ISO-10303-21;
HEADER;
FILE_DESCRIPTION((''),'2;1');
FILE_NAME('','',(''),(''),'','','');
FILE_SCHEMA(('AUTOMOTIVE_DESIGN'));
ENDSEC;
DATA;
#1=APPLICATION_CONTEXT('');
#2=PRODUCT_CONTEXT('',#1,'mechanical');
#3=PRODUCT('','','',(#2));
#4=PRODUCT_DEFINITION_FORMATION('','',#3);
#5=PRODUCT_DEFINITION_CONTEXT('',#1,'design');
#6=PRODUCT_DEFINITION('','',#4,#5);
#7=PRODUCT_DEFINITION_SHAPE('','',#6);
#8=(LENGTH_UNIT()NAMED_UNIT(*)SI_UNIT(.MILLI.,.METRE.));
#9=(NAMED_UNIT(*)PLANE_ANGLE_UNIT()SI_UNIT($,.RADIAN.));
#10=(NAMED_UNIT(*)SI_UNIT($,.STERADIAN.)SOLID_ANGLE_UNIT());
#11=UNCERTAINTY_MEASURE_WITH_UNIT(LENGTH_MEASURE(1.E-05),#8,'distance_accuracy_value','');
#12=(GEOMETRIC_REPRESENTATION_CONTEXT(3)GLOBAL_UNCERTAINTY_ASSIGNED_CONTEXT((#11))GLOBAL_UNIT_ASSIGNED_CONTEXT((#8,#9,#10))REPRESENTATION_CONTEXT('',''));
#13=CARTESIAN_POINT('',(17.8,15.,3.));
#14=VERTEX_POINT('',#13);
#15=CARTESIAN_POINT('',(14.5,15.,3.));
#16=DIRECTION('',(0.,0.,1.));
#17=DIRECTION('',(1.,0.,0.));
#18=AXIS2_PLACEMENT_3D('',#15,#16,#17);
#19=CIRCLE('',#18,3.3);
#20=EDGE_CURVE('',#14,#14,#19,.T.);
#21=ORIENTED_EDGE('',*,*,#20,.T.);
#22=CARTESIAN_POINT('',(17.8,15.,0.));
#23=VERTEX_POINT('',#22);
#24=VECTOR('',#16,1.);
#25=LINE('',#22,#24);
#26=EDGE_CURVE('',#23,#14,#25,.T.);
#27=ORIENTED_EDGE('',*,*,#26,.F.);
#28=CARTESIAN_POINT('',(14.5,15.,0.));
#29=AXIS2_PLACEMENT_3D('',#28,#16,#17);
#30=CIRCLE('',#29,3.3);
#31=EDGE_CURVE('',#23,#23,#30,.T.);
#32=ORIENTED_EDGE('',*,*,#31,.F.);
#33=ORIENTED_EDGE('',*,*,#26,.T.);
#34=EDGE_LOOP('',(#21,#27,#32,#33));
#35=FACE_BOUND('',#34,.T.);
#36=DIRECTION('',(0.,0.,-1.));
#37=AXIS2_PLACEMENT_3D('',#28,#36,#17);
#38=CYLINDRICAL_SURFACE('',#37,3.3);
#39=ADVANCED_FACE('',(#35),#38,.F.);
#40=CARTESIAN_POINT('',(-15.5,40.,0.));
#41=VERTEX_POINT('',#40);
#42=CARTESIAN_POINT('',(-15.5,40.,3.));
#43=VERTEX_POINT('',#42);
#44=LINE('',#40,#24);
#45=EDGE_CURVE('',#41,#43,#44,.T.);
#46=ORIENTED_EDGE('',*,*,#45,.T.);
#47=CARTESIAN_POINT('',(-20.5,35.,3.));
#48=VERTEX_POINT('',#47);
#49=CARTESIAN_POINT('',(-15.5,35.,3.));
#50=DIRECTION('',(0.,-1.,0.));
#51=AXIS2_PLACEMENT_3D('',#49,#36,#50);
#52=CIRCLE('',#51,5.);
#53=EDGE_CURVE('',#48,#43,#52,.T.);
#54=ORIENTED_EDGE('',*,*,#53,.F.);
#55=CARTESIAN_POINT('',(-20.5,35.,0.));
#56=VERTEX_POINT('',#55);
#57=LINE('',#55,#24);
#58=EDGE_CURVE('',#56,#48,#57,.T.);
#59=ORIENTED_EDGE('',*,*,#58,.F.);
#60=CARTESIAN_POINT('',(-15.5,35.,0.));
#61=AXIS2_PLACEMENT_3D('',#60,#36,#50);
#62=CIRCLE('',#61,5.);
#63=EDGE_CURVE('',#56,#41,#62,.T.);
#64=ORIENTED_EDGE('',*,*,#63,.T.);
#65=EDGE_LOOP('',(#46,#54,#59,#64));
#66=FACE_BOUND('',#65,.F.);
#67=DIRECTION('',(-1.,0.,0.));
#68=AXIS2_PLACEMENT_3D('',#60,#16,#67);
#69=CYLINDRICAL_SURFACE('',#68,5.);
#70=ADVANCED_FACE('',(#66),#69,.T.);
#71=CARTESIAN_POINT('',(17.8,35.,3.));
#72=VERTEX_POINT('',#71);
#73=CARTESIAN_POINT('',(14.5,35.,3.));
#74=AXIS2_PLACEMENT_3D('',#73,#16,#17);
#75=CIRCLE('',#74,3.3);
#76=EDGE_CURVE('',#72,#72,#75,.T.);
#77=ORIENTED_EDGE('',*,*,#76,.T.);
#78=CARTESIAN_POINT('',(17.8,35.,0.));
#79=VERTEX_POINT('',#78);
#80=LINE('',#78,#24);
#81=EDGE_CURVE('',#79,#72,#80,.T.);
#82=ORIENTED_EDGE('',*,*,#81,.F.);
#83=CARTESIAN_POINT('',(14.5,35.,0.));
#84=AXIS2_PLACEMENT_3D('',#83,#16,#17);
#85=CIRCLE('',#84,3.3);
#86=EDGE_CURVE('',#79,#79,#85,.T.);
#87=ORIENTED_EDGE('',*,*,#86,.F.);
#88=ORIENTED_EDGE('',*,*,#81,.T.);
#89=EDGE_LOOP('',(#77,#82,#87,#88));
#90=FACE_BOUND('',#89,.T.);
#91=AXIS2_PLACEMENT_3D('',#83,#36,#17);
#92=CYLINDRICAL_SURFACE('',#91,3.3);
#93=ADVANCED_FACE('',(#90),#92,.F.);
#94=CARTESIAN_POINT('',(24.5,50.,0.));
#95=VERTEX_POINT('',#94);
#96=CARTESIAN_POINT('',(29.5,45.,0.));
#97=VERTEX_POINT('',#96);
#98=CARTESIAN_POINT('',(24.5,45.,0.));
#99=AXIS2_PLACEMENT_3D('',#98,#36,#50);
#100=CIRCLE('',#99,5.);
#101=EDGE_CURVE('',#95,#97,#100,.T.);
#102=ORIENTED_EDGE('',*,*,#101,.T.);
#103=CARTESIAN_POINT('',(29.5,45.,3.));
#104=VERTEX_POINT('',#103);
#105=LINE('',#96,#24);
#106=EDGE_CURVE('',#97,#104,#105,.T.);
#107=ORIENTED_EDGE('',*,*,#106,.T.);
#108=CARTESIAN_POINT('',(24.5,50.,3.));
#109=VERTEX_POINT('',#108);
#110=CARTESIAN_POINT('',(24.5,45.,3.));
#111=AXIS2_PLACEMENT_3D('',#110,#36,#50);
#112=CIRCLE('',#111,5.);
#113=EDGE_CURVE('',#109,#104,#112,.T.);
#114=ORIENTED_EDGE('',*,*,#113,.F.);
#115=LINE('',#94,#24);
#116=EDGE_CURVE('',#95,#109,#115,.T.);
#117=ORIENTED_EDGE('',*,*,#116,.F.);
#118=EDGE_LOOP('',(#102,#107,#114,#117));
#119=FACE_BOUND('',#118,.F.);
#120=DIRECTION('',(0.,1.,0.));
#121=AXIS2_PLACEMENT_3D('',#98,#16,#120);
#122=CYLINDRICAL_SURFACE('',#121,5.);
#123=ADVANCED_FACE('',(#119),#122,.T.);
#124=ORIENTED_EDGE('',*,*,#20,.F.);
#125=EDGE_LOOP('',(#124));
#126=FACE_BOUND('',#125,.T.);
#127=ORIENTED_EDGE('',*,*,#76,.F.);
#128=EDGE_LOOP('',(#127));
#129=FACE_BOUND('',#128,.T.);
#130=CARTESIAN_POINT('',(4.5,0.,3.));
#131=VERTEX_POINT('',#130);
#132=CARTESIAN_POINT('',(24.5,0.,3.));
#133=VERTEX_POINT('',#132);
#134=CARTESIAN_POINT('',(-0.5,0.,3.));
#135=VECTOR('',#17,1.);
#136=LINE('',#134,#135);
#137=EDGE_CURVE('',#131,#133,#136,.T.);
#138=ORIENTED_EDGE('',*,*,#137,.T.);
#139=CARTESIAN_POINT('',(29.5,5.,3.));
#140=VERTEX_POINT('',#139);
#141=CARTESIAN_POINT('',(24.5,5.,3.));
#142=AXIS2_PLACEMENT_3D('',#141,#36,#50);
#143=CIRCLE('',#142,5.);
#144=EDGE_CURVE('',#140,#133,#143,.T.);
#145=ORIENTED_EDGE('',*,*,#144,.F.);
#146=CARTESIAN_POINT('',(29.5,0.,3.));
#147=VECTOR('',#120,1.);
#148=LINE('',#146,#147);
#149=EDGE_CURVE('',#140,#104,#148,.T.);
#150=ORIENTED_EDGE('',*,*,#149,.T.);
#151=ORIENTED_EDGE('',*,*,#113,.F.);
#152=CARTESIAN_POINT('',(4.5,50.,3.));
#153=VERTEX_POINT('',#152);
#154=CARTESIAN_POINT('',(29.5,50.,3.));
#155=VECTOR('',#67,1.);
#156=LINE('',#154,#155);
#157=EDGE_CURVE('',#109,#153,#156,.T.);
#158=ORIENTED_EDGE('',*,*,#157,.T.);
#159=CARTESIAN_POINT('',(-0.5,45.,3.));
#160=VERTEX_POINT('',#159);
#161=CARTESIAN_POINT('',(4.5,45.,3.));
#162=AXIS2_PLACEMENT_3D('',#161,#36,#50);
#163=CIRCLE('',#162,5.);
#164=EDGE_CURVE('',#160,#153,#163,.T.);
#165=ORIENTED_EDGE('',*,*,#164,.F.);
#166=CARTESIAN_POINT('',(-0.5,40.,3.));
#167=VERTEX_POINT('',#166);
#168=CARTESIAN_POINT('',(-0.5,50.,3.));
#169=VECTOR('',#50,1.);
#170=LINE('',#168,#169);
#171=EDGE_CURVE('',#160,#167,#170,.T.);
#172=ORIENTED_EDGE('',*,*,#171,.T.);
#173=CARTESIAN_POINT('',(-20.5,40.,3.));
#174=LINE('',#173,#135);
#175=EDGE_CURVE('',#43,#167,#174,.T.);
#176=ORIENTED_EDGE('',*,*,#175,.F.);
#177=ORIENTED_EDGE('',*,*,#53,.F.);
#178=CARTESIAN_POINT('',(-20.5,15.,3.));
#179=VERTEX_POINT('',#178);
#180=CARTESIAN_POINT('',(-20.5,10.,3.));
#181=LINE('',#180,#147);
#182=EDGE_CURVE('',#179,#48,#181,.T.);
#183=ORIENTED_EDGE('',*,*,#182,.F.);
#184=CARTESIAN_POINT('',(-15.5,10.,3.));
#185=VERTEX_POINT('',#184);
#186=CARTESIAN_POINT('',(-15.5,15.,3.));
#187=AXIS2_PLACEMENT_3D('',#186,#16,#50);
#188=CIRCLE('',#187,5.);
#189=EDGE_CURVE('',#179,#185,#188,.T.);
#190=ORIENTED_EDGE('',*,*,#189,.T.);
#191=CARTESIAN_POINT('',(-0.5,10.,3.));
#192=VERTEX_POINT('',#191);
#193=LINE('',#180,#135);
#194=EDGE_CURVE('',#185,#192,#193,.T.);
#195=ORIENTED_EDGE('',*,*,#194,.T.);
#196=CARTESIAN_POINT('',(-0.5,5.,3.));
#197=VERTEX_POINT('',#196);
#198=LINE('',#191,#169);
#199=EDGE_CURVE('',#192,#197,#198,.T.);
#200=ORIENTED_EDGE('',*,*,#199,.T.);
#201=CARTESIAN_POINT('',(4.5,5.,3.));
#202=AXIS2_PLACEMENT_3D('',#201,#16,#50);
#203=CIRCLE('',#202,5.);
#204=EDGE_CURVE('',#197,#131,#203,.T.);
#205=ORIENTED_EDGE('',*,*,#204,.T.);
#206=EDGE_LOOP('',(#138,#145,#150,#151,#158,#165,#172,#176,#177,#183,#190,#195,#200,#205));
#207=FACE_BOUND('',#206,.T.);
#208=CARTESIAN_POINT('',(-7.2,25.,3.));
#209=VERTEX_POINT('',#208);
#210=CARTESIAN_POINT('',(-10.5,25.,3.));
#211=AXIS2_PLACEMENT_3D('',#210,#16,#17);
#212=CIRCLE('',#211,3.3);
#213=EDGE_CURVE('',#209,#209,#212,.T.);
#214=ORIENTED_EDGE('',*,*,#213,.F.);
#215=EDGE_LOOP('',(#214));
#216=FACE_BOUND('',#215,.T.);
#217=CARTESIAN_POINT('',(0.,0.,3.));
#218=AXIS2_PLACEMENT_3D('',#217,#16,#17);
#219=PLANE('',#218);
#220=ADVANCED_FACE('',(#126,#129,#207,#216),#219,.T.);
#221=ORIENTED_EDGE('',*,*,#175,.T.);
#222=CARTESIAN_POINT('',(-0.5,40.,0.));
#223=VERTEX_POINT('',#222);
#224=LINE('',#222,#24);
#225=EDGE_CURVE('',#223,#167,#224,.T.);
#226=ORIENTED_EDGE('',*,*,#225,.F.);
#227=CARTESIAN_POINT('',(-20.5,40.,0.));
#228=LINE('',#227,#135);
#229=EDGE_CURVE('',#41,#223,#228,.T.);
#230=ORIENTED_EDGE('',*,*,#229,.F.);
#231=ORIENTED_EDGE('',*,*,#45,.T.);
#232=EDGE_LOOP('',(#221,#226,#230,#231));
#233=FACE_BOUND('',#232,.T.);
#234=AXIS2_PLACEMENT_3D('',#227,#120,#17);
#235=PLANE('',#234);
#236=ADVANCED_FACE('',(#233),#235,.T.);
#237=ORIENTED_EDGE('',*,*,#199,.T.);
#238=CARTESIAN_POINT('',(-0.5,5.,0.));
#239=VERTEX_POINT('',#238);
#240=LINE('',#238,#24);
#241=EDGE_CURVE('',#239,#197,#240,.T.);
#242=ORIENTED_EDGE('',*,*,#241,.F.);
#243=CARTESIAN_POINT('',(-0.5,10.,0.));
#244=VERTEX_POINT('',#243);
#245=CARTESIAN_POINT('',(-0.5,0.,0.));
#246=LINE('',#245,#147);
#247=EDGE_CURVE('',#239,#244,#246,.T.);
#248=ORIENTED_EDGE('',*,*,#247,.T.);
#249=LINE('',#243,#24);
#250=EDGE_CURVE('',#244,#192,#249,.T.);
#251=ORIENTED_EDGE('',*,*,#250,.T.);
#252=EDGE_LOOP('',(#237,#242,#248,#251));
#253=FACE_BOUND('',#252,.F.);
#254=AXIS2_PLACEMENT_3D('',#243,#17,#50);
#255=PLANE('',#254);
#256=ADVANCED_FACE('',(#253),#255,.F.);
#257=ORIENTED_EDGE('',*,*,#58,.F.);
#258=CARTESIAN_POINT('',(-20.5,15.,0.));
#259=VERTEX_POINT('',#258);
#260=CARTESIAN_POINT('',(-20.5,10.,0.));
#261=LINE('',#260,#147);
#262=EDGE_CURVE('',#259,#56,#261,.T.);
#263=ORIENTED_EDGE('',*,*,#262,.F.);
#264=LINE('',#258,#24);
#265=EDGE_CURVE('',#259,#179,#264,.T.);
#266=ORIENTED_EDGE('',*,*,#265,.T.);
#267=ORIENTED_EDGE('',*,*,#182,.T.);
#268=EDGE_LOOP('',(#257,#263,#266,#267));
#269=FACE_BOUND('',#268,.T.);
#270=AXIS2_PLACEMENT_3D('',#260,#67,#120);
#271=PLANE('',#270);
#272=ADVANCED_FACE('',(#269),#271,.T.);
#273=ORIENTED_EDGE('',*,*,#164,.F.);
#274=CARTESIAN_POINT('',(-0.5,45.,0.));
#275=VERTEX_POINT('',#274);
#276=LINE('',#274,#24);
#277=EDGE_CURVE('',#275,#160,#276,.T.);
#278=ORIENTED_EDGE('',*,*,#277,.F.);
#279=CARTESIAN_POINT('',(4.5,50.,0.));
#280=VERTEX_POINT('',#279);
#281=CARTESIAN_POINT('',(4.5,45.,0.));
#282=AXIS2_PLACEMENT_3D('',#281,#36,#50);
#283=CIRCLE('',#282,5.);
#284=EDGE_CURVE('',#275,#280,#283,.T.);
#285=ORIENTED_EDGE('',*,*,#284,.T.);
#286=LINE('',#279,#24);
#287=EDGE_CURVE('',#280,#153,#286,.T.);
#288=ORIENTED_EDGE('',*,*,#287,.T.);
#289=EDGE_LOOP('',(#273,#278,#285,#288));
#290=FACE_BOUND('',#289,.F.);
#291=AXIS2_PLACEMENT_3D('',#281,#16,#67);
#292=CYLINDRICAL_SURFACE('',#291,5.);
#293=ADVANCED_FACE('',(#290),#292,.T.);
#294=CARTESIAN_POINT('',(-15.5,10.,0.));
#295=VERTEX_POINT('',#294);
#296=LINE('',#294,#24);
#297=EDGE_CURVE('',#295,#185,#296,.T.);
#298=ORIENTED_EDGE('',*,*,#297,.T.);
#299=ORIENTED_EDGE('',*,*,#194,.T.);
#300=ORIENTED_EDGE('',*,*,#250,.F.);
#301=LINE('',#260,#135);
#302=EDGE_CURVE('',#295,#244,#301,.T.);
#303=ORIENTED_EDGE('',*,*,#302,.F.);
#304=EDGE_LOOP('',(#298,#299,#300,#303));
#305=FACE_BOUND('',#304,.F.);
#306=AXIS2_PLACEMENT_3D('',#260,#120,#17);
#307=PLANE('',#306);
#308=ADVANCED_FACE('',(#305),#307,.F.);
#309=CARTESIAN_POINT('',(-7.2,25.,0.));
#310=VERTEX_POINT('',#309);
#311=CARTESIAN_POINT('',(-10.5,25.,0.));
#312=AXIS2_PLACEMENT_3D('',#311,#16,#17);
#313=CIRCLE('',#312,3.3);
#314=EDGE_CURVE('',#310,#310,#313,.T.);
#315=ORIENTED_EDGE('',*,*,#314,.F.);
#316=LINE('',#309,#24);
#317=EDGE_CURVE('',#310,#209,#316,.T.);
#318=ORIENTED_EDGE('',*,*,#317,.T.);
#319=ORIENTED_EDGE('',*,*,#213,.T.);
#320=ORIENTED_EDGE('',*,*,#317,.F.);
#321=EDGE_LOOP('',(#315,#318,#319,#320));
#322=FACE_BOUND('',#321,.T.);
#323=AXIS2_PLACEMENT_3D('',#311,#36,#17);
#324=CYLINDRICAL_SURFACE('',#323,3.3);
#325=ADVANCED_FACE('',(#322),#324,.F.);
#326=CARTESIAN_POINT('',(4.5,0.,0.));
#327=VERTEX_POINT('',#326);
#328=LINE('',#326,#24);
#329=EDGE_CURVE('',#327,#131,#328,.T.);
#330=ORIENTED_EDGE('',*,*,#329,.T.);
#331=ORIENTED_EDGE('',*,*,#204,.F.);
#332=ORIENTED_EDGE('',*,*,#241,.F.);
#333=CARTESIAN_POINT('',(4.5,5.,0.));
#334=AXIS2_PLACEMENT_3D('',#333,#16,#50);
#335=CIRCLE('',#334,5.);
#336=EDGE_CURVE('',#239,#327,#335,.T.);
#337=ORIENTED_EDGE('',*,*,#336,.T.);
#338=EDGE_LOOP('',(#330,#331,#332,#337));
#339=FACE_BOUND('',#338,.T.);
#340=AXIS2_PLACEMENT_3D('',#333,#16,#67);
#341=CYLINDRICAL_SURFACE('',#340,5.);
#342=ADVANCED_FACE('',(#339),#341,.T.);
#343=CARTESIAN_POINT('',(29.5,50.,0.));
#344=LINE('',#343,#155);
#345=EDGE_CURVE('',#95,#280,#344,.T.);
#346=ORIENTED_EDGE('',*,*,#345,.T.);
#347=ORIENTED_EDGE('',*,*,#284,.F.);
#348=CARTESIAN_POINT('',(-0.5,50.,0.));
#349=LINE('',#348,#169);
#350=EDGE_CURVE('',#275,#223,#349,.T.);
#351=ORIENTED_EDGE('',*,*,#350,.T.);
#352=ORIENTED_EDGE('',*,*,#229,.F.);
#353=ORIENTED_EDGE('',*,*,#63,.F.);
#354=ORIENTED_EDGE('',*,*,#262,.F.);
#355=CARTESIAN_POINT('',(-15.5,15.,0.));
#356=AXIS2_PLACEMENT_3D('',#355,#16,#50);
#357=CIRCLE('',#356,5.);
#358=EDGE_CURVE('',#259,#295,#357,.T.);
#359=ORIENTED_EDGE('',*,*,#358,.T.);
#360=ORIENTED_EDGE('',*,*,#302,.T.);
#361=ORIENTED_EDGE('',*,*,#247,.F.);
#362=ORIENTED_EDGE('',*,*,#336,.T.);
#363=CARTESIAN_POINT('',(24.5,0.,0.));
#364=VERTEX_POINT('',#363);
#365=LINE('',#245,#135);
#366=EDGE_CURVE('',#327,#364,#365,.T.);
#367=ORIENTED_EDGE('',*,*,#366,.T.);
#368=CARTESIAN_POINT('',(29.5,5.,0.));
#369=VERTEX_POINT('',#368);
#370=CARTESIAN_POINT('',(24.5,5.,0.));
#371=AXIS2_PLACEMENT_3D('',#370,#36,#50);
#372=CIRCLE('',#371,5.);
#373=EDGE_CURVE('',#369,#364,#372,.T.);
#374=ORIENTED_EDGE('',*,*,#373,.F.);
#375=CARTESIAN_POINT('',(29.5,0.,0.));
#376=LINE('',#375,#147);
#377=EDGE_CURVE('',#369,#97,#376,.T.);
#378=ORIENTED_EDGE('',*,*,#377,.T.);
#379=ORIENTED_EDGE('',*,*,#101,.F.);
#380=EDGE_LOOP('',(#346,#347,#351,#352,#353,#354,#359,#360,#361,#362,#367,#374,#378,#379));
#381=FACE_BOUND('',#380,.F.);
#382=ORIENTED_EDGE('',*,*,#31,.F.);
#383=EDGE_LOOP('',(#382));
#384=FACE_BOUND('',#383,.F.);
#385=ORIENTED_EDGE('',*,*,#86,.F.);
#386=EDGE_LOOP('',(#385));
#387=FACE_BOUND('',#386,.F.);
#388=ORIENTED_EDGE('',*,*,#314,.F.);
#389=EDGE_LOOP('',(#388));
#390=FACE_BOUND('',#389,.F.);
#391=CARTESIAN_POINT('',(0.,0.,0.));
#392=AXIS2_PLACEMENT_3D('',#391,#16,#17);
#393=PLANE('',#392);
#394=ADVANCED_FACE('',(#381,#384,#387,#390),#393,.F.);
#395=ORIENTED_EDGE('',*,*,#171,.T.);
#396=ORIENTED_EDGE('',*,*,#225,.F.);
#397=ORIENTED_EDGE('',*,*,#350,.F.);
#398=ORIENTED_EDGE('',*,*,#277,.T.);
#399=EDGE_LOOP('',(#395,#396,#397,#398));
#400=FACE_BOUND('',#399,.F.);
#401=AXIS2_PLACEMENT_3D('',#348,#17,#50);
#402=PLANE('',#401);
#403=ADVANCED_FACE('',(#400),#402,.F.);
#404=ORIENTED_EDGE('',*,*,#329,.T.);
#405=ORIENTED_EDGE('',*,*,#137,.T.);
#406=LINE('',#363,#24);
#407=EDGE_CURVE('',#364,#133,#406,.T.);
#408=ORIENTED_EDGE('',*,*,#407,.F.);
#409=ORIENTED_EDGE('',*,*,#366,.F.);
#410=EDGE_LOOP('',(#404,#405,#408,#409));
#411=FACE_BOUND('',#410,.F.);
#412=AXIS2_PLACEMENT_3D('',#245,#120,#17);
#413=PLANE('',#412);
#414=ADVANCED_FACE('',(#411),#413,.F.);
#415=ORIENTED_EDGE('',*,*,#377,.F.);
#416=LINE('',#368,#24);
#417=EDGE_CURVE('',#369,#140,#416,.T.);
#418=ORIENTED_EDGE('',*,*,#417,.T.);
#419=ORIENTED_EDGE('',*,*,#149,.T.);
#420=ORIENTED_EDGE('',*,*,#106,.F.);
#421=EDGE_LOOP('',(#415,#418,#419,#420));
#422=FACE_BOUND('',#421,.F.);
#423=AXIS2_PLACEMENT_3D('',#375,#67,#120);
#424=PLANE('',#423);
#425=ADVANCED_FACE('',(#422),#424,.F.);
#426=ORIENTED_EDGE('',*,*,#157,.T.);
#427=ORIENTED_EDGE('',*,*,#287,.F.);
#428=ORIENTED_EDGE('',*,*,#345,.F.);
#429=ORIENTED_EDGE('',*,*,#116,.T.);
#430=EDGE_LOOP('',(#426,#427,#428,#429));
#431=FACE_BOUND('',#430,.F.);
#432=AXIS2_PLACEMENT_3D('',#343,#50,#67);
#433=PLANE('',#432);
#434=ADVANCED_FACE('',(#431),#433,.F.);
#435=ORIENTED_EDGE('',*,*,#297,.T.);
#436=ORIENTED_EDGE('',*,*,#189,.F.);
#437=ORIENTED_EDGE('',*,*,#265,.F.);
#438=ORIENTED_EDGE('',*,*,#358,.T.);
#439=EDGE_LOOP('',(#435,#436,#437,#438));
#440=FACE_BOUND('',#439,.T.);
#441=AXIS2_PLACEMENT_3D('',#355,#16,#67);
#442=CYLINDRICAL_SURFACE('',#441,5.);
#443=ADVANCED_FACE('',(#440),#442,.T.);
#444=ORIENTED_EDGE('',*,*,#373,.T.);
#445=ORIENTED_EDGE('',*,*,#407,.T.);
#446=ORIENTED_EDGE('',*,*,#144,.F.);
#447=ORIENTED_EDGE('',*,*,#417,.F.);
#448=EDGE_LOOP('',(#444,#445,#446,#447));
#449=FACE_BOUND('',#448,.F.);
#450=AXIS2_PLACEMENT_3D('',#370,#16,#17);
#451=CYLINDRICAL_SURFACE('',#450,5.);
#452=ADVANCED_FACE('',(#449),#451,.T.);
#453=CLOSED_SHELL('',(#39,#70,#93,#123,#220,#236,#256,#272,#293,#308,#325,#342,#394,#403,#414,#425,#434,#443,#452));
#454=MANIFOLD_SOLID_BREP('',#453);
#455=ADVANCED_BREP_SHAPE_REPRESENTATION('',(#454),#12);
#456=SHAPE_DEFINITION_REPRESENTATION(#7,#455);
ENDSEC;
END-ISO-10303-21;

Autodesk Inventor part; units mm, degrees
ref_plane "YZ Plane" through (0, 0, 0) normal (1, 0, 0) x (0, 1, 0)
ref_plane "XZ Plane" through (0, 0, 0) normal (0, 1, 0) x (-1, 0, 0)
ref_plane "作業平面1" through (0, 0, 0) normal (0, 0, 1) x (1, 0, 0)
sketch "スケッチ2" plane through (0, 0, 0) normal (0, 0, 1) x (1, 0, 0)
  line L0 (0, 0) -> (7.35, 0) construction
  line L1 (7.35, 0) -> (7.35, 50) construction
  line L2 (0, 50) -> (7.35, 50) construction
  line L3 (0, 0) -> (0, 50) construction
  line L4 (-0.5, 0) -> (-0.5, 50) construction
  line L5 (19.5, 0) -> (19.5, 50) construction
  line L6 (139.5, 0) -> (139.5, -3) construction
  line L7 (139.5, 0) -> (4.5, 0) construction
  line L8 (4.5, -3) -> (4.5, 0) construction
  line L9 (139.5, -3) -> (4.5, -3) construction
  line L10 (139.5, 53) -> (139.5, 50) construction
  line L11 (4.5, 53) -> (139.5, 53) construction
  line L12 (4.5, 50) -> (4.5, 53) construction
  line L13 (4.5, 50) -> (139.5, 50) construction
  line L14 (-0.632, 5) -> (-130.632, 5) construction
  line L15 (-0.632, 45) -> (-130.632, 45) construction
  line L16 (-20.5, 10) -> (-20.5, 40)
  line L17 (-20.5, 40) -> (-0.5, 40)
  line L18 (-0.5, 40) -> (-0.5, 5)
  circle A0 centre (14.5, 15) radius 3.3
  circle A1 centre (14.5, 35) radius 3.3
  circle A2 centre (-10.5, 25) radius 3.3
  circle A3 centre (-10.5, 25) radius 3.3
  line L19 (-20.5, 10) -> (-0.5, 10)
  line L20 (-0.5, 0) -> (29.5, 0)
  line L21 (29.5, 0) -> (29.5, 50)
  line L22 (29.5, 50) -> (-0.5, 50)
  line L23 (-0.5, 50) -> (-0.5, 0)
  point P0 (9.5, 35)
  point P1 (-0.5, 40)
  point P2 (-0.5, 5)
  dimension "d1" = 20
  dimension "d2" = 30
  dimension "d4" = 50
  dimension "d5" = 15
  dimension "d13" = 6.6
  dimension "d17" = 6.6
  dimension "d19" = 10
  dimension "d20" = 6.6
  dimension "d22" = 10
  dimension "d23" = 6.6
  dimension "d25" = 15
  dimension "d27" = 10
  dimension "d29" = 15
  dimension "d30" = 15
  dimension "d31" = 30
  dimension "d32" = 50
  dimension "d33" = 15
  dimension "d34" = 15
extrude "押し出し1" add sketch "スケッチ2" along normal blind 3
fillet "フィレット1" radius 5 6 edges at (-20.5, 10, 1.5) (-20.5, 40, 1.5) (-0.5, 0, 1.5) (29.5, 0, 1.5) (-0.5, 50, 1.5) (29.5, 50, 1.5)
equation "\"d22\" = d19"
equation "\"d23\" = d13"
equation "\"d27\" = -0.5 * d2 + 0.5 * d28"
equation "\"d29\" = 0.5 * d2"
equation "\"d30\" = d29"
equation "\"d33\" = 0.5 * d31"
equation "\"d34\" = d33"
equation "\"d28\" = 50"
properties part number "bogie_mount" material "アルミニウム 6061"
